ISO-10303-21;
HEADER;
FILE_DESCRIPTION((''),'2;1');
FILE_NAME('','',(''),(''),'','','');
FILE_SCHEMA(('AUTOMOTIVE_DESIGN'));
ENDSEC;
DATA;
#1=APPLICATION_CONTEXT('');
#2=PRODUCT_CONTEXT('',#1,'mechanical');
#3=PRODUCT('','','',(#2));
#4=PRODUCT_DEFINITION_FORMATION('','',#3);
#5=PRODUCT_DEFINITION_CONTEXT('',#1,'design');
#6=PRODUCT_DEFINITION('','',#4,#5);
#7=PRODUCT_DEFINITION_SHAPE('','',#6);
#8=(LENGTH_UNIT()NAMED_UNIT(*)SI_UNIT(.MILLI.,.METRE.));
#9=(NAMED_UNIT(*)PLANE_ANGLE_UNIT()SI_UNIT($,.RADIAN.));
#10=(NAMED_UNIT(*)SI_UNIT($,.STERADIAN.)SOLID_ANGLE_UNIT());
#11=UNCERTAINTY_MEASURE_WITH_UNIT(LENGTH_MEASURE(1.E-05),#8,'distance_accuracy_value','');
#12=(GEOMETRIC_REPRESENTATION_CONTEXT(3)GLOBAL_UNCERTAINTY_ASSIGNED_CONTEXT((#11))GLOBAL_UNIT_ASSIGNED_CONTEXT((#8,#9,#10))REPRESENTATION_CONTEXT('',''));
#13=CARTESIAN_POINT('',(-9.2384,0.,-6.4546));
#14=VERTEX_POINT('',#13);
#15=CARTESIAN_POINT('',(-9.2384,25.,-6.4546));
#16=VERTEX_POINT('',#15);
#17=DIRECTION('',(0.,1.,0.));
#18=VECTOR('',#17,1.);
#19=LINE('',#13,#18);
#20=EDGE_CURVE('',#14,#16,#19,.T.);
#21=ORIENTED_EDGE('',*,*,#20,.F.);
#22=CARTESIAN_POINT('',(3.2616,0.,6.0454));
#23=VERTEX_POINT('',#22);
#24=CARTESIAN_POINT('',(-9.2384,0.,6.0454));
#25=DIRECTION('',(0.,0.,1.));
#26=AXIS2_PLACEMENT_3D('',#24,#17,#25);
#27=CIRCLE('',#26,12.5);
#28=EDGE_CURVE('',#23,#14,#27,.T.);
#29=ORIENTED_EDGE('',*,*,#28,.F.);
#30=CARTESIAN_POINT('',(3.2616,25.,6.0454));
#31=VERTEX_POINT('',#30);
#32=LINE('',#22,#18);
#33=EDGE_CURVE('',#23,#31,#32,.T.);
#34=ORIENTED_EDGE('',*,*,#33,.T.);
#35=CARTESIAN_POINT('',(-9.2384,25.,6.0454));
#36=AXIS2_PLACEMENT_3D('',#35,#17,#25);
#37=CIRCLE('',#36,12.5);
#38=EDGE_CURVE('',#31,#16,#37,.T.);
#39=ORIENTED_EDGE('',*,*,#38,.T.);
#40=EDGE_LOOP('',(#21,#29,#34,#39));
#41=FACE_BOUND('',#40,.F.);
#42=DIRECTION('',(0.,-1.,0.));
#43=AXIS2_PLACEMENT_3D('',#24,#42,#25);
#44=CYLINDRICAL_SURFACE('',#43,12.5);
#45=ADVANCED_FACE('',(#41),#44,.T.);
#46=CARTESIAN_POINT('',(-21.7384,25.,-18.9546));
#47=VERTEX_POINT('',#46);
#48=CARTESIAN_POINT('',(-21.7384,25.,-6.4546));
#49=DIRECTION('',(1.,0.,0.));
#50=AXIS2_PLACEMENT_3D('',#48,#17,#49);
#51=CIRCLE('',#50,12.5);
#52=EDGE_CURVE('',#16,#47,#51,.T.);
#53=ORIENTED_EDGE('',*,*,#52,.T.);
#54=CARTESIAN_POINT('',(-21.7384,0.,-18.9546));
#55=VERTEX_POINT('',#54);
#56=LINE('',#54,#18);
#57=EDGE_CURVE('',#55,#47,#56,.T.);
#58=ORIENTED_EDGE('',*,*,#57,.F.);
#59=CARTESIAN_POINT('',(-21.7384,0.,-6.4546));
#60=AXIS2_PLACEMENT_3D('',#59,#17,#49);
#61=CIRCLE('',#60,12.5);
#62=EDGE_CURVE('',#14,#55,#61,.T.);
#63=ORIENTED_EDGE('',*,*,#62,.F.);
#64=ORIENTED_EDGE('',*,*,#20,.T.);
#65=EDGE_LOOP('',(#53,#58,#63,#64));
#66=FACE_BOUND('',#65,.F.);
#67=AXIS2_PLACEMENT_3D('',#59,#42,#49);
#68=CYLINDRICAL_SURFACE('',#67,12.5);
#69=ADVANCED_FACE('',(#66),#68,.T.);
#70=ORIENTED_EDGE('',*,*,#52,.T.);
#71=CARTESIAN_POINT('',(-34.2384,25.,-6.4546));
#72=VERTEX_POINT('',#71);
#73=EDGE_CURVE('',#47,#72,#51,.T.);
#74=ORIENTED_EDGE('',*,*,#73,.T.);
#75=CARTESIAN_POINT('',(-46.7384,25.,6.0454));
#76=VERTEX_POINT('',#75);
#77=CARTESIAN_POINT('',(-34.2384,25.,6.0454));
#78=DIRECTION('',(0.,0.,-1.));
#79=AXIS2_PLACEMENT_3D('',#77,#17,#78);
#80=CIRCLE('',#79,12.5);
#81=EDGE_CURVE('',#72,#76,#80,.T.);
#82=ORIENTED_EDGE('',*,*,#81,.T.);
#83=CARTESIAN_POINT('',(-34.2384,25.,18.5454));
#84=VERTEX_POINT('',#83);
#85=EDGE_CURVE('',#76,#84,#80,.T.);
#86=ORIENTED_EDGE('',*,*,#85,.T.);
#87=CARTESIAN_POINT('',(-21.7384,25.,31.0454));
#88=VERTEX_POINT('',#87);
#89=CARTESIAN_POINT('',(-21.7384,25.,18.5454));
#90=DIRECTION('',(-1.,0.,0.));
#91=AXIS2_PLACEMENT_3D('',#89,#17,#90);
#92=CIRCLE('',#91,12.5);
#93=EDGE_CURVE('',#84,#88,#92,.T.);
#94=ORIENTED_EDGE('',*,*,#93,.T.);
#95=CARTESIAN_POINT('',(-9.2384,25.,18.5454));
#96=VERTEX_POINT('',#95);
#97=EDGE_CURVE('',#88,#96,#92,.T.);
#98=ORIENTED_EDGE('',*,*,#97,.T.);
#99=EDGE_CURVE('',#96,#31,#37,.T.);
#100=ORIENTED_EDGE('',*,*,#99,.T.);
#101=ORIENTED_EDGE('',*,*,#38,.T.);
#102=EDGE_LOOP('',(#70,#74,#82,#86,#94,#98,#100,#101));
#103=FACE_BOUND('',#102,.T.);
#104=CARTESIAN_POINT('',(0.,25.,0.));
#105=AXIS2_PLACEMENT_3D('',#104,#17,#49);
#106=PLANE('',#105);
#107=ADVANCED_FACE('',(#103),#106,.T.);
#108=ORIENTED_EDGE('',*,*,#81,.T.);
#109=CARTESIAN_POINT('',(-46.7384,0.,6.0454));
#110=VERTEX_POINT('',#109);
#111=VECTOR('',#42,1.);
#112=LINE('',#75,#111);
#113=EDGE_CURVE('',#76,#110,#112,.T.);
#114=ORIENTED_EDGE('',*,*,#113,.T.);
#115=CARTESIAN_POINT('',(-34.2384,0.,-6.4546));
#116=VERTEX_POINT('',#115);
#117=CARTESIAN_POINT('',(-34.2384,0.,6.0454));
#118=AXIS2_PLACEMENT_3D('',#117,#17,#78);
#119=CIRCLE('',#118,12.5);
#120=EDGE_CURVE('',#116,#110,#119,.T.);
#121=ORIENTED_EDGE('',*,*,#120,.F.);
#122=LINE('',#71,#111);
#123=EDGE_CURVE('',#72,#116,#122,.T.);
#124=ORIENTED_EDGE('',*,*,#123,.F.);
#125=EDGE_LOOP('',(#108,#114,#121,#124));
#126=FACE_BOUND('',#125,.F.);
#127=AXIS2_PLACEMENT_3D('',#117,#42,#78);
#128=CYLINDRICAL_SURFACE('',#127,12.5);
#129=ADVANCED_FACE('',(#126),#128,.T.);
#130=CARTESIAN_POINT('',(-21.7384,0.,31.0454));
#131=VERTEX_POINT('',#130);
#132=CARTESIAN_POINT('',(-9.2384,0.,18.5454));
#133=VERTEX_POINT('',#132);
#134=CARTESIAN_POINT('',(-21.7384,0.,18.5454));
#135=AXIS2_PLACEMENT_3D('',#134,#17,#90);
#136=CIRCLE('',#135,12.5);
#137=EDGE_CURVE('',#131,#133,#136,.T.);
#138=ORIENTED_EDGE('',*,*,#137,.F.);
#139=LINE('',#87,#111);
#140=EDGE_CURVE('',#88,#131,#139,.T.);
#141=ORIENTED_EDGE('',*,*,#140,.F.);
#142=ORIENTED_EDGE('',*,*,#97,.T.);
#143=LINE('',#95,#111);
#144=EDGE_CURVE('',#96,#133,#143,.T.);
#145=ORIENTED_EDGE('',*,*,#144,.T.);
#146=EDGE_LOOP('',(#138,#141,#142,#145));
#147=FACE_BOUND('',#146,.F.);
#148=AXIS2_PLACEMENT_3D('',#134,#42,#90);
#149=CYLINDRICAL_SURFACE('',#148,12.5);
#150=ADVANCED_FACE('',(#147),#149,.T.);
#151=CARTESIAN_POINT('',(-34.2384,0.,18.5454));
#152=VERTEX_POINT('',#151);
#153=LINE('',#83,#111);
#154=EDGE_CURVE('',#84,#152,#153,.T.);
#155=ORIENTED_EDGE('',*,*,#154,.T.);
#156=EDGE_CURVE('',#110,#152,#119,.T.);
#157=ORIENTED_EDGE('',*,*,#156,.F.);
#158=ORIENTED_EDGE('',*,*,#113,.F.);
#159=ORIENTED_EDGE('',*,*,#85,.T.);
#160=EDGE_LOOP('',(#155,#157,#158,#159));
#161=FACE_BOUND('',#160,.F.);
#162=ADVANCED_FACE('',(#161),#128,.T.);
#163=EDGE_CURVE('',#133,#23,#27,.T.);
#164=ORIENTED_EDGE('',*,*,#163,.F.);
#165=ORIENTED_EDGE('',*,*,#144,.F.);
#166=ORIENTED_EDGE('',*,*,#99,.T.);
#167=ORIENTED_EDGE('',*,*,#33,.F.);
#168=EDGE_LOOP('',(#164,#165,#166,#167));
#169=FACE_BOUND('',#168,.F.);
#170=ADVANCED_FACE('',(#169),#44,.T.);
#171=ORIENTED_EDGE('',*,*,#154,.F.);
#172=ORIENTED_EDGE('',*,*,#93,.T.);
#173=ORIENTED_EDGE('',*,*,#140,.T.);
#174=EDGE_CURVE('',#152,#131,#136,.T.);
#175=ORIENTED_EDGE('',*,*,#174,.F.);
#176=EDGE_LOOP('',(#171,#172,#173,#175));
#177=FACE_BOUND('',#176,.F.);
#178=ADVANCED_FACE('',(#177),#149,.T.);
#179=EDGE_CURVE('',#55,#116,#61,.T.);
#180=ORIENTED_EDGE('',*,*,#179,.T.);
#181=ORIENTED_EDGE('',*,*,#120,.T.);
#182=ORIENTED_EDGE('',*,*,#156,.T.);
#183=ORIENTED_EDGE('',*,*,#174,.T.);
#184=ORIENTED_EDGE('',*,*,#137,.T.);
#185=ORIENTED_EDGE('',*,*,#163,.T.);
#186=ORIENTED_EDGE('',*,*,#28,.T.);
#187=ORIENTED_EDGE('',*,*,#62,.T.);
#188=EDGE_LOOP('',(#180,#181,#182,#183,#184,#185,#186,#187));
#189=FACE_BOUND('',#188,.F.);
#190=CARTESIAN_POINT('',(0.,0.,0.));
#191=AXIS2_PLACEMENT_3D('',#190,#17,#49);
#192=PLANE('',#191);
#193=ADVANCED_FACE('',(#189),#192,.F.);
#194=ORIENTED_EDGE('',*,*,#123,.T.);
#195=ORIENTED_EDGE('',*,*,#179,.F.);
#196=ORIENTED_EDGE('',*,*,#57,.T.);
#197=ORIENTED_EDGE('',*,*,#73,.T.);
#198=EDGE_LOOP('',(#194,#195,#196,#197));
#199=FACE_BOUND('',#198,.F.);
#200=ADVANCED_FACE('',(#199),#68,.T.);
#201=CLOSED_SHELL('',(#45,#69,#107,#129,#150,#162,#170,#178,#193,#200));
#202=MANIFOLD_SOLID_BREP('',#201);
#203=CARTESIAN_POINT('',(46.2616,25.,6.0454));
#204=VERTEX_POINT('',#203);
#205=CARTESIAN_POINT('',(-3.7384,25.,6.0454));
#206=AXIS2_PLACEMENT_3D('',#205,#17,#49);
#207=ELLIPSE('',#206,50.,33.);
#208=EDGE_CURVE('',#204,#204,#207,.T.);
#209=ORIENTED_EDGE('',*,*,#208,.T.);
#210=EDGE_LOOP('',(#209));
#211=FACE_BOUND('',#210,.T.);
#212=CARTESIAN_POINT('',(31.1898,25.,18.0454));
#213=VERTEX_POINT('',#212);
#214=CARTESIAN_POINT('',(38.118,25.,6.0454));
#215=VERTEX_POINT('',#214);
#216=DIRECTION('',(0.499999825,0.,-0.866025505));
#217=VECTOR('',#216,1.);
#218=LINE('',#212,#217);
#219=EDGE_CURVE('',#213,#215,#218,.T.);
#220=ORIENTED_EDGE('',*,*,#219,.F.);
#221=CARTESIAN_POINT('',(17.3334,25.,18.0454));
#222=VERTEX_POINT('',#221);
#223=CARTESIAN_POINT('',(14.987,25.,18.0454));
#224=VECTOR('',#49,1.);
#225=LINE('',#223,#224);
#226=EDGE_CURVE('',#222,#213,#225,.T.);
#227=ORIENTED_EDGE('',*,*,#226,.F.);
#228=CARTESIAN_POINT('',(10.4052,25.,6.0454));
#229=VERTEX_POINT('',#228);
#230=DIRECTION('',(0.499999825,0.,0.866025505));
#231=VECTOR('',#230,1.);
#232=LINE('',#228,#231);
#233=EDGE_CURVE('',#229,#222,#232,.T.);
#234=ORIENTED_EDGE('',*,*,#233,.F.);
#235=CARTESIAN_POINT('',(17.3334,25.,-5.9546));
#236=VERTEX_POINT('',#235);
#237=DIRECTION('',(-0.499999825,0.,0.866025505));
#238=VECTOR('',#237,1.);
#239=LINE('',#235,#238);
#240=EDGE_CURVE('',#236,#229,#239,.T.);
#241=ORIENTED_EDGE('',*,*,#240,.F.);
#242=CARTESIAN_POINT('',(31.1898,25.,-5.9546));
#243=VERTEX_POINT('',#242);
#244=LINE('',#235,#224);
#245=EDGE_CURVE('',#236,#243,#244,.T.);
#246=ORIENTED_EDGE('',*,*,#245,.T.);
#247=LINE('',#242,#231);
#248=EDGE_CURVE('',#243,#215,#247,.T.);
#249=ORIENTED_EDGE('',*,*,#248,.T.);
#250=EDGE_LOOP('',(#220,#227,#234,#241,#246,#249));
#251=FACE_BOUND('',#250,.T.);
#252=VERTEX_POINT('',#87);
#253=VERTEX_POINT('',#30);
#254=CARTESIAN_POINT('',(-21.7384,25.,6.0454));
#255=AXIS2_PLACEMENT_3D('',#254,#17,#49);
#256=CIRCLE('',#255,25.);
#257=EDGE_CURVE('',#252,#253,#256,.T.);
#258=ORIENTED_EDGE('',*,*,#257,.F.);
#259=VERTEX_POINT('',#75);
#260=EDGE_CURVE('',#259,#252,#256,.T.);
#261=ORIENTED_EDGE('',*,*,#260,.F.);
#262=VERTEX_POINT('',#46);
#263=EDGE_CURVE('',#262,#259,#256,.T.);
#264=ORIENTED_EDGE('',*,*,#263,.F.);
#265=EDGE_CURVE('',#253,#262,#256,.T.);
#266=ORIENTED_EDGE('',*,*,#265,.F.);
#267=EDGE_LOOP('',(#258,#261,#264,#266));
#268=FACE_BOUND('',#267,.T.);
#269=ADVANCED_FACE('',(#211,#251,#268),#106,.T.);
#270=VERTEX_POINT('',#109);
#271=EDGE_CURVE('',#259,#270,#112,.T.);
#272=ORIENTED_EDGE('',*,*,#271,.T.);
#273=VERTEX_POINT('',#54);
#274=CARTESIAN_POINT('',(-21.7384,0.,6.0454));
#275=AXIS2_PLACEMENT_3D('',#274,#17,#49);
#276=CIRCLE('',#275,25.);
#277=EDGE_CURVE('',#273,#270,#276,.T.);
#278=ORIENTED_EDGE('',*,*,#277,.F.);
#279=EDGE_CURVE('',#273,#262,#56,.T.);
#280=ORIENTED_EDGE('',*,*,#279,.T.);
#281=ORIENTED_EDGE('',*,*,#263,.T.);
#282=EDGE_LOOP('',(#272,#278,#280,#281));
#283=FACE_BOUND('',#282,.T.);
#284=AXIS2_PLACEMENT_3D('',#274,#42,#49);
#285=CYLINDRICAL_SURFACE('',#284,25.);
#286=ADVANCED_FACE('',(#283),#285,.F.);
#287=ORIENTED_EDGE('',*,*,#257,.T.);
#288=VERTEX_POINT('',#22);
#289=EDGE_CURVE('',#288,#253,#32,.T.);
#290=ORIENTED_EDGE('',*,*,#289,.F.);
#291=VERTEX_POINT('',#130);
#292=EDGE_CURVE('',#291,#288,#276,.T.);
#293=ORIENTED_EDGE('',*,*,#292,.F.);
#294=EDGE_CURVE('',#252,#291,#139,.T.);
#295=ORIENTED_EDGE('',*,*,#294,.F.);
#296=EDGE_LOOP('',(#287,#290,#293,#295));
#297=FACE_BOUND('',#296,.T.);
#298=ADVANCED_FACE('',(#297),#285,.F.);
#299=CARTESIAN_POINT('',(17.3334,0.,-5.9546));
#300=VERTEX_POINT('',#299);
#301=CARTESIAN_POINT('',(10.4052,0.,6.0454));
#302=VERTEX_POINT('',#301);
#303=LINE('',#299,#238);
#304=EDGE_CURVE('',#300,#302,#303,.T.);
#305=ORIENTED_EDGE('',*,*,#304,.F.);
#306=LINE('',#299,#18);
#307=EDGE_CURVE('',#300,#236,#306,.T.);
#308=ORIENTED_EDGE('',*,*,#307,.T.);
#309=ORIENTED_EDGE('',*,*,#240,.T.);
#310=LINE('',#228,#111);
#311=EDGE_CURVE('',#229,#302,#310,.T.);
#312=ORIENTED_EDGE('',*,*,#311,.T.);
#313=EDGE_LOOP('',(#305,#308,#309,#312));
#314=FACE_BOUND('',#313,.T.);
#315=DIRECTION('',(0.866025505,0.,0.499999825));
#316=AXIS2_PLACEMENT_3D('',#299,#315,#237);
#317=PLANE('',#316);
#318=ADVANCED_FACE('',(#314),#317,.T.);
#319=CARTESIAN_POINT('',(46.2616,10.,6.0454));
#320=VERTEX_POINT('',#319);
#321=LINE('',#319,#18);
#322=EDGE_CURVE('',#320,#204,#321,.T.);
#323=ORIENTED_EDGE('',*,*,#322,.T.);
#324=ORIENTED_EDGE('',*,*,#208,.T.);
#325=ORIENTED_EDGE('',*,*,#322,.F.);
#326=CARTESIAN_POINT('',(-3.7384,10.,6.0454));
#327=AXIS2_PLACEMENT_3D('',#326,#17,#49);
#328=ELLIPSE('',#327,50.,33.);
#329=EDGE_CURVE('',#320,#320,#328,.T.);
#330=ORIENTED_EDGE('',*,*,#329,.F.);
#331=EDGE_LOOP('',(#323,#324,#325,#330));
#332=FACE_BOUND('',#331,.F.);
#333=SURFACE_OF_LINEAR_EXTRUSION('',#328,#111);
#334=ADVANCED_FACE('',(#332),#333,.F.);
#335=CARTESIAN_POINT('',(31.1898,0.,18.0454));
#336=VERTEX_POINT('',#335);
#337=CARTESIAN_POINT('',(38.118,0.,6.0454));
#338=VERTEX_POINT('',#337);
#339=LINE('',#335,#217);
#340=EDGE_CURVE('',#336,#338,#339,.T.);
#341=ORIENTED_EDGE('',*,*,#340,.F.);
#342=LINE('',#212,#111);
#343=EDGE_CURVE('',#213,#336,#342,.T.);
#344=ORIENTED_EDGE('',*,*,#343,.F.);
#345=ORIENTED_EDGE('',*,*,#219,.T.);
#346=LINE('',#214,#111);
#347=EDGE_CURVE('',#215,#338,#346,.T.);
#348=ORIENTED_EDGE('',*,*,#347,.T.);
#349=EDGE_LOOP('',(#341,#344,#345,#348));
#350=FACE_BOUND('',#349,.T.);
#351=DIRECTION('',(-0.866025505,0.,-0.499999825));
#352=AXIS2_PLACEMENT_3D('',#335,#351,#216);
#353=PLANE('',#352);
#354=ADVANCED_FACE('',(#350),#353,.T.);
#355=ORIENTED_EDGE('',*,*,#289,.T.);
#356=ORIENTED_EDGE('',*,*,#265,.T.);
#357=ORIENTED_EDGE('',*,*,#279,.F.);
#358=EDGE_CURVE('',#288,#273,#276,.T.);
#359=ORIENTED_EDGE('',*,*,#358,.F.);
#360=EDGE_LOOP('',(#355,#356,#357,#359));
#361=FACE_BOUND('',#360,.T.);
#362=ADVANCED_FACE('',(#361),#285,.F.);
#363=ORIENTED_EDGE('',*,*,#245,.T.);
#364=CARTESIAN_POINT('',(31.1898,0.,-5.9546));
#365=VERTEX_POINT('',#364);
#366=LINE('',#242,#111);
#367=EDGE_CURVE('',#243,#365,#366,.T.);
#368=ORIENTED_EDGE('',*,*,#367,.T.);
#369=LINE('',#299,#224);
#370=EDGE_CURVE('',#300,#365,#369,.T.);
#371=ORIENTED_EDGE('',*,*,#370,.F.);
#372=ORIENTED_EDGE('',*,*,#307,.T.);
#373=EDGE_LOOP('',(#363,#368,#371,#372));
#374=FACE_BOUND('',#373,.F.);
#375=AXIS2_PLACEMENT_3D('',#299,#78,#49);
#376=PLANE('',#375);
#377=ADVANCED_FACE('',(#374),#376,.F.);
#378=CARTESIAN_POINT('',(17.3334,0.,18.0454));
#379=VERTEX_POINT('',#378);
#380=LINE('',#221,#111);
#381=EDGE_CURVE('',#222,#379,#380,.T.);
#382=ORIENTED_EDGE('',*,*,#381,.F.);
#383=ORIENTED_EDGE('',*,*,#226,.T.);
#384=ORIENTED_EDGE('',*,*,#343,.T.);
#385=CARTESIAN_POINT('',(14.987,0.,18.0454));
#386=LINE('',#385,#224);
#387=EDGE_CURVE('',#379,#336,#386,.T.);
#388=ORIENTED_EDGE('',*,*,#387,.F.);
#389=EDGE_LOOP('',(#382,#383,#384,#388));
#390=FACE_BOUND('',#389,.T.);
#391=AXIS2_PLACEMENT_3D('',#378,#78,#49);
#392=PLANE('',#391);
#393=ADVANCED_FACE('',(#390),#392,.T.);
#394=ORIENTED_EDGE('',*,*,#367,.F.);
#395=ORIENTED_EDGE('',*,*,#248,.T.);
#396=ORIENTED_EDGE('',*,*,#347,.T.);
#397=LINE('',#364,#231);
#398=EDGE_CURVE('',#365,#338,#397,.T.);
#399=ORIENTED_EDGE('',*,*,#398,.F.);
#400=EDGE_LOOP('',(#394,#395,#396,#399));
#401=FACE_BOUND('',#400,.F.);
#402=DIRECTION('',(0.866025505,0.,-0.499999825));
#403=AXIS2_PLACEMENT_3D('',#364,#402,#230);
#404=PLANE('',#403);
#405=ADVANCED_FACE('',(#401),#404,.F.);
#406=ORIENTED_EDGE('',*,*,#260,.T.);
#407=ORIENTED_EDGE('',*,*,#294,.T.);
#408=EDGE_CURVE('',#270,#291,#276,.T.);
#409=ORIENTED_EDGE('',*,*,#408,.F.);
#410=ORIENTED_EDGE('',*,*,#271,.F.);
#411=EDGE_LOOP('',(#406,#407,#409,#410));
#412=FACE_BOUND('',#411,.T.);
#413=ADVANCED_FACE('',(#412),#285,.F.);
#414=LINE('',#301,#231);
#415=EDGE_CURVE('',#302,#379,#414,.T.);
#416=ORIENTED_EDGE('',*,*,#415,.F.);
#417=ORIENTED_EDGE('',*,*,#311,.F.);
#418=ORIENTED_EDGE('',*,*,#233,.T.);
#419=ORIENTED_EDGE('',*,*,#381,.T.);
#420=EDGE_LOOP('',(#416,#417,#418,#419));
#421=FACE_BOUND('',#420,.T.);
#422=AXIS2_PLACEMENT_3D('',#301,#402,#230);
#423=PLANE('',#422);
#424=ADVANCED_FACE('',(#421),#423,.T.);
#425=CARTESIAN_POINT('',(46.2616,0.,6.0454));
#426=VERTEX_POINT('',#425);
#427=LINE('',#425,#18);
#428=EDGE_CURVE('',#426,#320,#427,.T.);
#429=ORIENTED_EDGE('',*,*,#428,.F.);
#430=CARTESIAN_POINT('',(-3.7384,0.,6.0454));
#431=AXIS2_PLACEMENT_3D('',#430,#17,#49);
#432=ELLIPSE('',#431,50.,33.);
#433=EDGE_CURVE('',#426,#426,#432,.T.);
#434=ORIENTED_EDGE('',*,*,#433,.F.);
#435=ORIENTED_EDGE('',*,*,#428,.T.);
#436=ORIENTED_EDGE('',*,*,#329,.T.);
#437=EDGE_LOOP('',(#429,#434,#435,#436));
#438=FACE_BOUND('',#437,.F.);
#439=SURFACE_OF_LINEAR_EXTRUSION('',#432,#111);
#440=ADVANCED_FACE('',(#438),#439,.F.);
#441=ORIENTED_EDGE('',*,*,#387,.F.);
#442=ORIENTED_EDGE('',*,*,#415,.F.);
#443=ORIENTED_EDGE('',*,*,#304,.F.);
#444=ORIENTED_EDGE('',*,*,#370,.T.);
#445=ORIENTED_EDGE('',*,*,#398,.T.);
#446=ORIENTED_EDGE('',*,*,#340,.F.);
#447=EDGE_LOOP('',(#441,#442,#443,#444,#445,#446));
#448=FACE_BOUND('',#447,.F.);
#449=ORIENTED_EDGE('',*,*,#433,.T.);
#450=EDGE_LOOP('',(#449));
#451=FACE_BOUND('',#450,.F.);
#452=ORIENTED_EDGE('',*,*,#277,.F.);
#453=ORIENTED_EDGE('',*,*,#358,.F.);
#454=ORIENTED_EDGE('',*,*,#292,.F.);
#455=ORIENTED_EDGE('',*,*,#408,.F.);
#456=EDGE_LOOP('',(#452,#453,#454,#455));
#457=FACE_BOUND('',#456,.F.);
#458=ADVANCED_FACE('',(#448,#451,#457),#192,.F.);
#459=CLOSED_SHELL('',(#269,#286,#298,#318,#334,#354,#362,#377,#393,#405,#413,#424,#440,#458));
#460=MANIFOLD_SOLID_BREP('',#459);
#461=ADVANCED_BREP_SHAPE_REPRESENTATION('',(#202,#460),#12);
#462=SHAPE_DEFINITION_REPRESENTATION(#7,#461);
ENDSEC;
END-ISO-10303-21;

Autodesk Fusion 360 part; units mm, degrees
sketch "草图1" plane through (0, 0, 0) normal (0, 1, 0) x (1, 0, 0)
  ellipse E0 centre (-3.7384, -6.0454) end of major axis (46.2616, -6.0454) minor radius 33
  circle A0 centre (-21.7384, -6.0454) radius 25
  line L0 (17.3334, 5.9546) -> (31.1898, 5.9546)
  line L1 (14.987, -18.0454) -> (31.1898, -18.0454)
  line L2 (31.1898, 5.9546) -> (38.118, -6.0454)
  line L3 (31.1898, -18.0454) -> (38.118, -6.0454)
  line L4 (17.3334, 5.9546) -> (10.4052, -6.0454)
  line L5 (10.4052, -6.0454) -> (17.3334, -18.0454)
  line L6 (-53.7384, -6.0454) -> (10.4052, -6.0454) construction
  line L7 (38.118, -6.0454) -> (46.2616, -6.0454) construction
  line L8 (-3.7384, -39.0454) -> (-3.7384, -23.3947) construction
  line L9 (-3.7384, 11.304) -> (-3.7384, 26.9546) construction
  arc A1 (-34.2384, 6.4546) -> (-34.2384, -18.5454) centre (-34.2384, -6.0454) ccw
  arc A2 (-9.2384, 6.4546) -> (-34.2384, 6.4546) centre (-21.7384, 6.4546) ccw
  arc A3 (-34.2384, -18.5454) -> (-9.2384, -18.5454) centre (-21.7384, -18.5454) ccw
  arc A4 (-9.2384, -18.5454) -> (-9.2384, 6.4546) centre (-9.2384, -6.0454) ccw
  dimension "d1" = 100
  dimension "d2" = 66
  dimension "d4" = 50
extrude "拉伸1" add sketch "草图1" along normal blind 10 contours E0 | A1 A2 A3 A4
extrude "拉伸2" add 2 faces at (8.5366, 10, -13.0979) (-25.9051, 10, 1.8787) along direction (0, 1, 0) blind 15
